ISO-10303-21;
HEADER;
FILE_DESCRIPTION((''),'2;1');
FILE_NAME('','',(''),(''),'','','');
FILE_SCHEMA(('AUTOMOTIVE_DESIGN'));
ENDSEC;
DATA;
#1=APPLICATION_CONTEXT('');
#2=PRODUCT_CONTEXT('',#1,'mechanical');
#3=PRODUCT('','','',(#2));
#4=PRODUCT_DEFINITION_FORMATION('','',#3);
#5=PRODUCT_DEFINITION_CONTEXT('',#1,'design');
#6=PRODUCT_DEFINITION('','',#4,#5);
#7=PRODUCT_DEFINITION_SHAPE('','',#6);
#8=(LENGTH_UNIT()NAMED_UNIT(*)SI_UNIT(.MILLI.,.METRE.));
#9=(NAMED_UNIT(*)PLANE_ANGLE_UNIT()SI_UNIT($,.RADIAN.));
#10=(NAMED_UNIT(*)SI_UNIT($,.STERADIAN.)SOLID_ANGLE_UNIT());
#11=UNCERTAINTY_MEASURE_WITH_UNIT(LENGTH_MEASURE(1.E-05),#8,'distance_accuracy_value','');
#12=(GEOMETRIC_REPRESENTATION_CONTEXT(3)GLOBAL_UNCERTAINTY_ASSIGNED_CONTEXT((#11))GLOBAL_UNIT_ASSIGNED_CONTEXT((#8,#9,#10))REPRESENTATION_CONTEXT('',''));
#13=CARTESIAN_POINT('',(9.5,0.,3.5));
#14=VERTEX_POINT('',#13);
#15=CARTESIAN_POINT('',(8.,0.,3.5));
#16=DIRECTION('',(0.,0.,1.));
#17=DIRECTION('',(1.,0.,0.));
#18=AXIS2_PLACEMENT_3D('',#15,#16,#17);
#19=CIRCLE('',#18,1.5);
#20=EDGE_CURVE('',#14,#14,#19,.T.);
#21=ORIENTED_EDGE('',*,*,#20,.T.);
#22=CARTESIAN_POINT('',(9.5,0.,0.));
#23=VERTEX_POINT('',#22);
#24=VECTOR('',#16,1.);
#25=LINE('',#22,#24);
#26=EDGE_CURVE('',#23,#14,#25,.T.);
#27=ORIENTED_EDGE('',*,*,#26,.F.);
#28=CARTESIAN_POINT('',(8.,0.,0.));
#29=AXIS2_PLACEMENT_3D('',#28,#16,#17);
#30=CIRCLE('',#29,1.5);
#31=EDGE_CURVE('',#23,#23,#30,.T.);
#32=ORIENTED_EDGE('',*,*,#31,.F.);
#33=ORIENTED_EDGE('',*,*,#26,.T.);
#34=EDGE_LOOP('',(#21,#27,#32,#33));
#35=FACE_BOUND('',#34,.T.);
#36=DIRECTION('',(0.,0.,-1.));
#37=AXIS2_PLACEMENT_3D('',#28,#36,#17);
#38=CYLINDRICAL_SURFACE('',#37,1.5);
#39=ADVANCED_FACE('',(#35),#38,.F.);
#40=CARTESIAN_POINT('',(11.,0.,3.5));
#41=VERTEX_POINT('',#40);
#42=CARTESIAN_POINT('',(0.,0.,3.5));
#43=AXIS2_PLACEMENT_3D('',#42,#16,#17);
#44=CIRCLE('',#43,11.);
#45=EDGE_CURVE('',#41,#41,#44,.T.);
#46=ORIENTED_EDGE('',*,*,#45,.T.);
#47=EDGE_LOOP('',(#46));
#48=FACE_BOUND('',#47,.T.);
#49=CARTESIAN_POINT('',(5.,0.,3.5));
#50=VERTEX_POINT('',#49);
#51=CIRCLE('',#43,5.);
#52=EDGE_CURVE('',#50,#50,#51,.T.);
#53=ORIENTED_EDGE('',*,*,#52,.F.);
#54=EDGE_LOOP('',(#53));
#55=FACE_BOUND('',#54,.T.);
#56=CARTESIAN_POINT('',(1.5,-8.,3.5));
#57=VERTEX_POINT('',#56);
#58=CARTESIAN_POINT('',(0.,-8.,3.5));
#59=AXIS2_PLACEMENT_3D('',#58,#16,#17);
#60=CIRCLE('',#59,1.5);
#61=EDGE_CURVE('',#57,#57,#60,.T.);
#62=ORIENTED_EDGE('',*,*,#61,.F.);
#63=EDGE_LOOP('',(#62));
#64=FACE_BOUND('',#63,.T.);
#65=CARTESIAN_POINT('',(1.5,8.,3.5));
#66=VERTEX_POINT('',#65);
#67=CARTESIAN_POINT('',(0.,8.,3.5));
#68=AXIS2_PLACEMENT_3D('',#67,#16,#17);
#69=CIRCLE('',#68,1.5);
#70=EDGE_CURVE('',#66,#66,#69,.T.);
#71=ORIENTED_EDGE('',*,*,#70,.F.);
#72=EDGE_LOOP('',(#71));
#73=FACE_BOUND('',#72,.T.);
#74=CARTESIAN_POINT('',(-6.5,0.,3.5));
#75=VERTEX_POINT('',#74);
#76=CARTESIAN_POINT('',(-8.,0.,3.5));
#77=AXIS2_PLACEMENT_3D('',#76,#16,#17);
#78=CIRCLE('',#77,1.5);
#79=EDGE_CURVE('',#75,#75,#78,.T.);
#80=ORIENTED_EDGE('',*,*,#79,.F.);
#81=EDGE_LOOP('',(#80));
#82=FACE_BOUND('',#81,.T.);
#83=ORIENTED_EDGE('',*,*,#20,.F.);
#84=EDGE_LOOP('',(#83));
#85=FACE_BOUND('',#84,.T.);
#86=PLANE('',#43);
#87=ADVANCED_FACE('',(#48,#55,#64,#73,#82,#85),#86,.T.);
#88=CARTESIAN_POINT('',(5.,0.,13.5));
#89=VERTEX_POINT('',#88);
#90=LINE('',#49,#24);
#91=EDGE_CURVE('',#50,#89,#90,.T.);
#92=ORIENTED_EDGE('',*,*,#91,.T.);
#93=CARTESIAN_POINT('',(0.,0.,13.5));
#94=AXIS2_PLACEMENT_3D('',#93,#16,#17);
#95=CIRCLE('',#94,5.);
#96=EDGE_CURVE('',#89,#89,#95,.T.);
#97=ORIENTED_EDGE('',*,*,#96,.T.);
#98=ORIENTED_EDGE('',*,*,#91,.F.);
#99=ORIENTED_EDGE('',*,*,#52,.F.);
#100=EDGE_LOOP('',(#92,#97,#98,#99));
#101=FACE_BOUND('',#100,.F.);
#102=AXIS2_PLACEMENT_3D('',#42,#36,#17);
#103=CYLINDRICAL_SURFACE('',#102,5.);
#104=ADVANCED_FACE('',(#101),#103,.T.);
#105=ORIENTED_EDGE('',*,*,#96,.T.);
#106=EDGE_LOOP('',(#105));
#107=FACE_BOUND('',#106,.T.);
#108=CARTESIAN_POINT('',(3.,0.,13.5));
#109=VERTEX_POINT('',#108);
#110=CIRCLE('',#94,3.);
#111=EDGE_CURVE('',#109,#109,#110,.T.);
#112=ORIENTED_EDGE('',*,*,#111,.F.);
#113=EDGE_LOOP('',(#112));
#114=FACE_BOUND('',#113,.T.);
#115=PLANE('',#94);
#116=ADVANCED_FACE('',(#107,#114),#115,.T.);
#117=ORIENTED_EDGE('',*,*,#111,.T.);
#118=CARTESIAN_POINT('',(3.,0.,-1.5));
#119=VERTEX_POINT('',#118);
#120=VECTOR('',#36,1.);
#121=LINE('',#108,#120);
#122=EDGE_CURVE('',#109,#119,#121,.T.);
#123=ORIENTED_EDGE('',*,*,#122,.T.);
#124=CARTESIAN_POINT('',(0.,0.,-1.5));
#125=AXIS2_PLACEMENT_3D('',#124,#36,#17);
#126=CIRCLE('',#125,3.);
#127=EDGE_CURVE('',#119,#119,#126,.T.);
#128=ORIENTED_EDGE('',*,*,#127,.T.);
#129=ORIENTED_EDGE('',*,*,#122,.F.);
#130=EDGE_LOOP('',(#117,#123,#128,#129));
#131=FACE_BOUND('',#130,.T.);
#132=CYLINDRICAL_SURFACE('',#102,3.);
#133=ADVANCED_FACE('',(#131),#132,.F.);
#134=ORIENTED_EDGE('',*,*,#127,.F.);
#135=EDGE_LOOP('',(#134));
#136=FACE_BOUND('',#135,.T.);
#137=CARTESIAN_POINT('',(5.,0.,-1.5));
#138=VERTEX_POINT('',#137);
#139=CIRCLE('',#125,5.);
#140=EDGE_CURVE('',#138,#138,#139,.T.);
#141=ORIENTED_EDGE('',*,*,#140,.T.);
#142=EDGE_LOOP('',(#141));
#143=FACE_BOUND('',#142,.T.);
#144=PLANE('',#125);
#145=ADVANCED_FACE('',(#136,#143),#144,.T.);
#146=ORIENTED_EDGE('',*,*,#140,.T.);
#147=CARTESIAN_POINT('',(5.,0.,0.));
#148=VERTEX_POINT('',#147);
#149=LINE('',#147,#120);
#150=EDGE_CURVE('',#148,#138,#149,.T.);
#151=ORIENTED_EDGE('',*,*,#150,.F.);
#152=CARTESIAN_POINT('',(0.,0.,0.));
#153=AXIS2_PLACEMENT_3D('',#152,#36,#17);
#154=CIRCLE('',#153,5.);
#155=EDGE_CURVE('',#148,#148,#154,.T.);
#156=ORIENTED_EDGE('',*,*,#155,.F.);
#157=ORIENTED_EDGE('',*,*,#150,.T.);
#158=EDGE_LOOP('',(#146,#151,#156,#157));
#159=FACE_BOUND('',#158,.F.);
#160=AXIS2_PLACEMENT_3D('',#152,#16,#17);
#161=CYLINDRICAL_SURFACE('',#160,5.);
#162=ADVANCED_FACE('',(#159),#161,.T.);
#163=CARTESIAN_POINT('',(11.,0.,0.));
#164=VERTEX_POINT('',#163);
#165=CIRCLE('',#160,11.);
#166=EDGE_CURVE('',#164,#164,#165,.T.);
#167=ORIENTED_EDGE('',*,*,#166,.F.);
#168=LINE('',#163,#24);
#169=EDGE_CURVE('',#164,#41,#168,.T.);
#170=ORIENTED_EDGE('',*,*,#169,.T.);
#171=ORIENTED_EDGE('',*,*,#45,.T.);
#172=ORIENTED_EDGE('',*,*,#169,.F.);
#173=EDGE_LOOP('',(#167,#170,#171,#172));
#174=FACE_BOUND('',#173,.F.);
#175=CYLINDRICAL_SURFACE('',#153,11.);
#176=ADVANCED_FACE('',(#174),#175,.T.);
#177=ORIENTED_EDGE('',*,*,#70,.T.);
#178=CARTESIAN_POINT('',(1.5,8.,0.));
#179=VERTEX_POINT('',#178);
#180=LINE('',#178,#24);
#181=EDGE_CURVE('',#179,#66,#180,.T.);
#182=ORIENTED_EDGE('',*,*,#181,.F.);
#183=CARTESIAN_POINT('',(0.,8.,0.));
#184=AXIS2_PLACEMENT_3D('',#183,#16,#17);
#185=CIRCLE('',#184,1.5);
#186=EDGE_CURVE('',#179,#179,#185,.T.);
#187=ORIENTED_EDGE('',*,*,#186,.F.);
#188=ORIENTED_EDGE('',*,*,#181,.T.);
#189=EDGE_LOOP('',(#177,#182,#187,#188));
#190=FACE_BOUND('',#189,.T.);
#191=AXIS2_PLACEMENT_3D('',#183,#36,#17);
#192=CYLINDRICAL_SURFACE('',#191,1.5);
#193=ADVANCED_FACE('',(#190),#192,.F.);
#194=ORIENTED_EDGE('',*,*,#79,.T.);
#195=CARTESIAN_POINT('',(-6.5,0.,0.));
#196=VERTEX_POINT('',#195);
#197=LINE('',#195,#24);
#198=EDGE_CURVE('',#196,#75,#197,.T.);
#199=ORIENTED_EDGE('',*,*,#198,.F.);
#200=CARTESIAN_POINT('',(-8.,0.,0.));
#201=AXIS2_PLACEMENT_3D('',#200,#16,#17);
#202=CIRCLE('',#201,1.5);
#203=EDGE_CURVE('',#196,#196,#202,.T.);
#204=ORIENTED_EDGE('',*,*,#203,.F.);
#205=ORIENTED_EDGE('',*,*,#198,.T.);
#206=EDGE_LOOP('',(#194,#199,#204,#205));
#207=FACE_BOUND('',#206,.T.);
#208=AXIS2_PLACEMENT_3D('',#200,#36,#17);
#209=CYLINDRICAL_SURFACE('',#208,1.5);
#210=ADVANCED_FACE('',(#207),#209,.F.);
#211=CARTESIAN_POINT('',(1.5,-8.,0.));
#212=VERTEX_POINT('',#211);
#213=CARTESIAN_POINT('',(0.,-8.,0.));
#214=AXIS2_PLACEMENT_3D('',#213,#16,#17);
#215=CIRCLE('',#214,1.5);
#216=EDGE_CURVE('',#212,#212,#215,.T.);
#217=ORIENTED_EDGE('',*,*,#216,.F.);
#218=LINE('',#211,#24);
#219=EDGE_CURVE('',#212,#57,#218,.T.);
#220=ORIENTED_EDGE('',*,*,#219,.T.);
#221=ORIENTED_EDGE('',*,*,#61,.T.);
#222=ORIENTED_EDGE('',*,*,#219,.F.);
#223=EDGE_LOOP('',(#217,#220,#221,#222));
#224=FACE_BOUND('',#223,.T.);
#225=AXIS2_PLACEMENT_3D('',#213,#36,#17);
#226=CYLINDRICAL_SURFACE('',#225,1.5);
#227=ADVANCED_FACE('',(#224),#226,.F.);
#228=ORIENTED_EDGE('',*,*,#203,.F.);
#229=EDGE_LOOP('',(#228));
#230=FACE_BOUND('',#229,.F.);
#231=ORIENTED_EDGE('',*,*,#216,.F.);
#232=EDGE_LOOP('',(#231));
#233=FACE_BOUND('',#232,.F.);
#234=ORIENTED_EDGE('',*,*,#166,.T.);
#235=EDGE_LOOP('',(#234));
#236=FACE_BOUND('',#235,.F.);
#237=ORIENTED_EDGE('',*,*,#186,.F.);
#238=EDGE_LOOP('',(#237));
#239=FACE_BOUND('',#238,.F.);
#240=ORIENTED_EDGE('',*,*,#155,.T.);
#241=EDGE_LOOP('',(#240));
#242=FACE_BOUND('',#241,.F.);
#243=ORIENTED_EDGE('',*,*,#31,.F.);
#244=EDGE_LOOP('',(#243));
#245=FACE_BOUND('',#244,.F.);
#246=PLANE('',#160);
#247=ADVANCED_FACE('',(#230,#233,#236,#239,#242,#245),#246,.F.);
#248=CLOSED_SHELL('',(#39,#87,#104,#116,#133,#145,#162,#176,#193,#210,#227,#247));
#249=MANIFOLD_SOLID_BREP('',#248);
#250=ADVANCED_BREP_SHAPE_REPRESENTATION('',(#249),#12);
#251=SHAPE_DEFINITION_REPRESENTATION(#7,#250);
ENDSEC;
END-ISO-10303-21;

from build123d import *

# Parameters (mm, degrees)
SKETCH_R      = 11
SKETCH_R_2    = 3
SKETCH_R_3    = 1.5
PAD_DEPTH     = 3.5
SKETCH001_R   = 5
SKETCH001_R_2 = 3
PAD001_DEPTH  = 1.5
SKETCH002_R   = 5
SKETCH002_R_2 = 3
PAD002_DEPTH  = 10


with BuildPart() as part:
    # Sketch → Pad (new body)
    with BuildSketch(Plane.XY):
        Circle(SKETCH_R)
        Circle(SKETCH_R_2, mode=Mode.SUBTRACT)
        with Locations((0, 8)):
            Circle(SKETCH_R_3, mode=Mode.SUBTRACT)
        with Locations((-8, 0)):
            Circle(SKETCH_R_3, mode=Mode.SUBTRACT)
        with Locations((0, -8)):
            Circle(SKETCH_R_3, mode=Mode.SUBTRACT)
        with Locations((8, 0)):
            Circle(SKETCH_R_3, mode=Mode.SUBTRACT)
    extrude(amount=PAD_DEPTH)

    # Sketch001 (on Face7 of Pad) → Pad001 (join)
    with BuildSketch(Plane(origin=(0, 0, 0), x_dir=(1, 0, 0), z_dir=(0, 0, -1))):
        Circle(SKETCH001_R)
        Circle(SKETCH001_R_2, mode=Mode.SUBTRACT)
    extrude(amount=PAD001_DEPTH)

    # Sketch002 (on Face3 of Pad001) → Pad002 (join)
    with BuildSketch(Plane.XY.offset(3.5)):
        Circle(SKETCH002_R)
        Circle(SKETCH002_R_2, mode=Mode.SUBTRACT)
    extrude(amount=PAD002_DEPTH)


solid = part.part
